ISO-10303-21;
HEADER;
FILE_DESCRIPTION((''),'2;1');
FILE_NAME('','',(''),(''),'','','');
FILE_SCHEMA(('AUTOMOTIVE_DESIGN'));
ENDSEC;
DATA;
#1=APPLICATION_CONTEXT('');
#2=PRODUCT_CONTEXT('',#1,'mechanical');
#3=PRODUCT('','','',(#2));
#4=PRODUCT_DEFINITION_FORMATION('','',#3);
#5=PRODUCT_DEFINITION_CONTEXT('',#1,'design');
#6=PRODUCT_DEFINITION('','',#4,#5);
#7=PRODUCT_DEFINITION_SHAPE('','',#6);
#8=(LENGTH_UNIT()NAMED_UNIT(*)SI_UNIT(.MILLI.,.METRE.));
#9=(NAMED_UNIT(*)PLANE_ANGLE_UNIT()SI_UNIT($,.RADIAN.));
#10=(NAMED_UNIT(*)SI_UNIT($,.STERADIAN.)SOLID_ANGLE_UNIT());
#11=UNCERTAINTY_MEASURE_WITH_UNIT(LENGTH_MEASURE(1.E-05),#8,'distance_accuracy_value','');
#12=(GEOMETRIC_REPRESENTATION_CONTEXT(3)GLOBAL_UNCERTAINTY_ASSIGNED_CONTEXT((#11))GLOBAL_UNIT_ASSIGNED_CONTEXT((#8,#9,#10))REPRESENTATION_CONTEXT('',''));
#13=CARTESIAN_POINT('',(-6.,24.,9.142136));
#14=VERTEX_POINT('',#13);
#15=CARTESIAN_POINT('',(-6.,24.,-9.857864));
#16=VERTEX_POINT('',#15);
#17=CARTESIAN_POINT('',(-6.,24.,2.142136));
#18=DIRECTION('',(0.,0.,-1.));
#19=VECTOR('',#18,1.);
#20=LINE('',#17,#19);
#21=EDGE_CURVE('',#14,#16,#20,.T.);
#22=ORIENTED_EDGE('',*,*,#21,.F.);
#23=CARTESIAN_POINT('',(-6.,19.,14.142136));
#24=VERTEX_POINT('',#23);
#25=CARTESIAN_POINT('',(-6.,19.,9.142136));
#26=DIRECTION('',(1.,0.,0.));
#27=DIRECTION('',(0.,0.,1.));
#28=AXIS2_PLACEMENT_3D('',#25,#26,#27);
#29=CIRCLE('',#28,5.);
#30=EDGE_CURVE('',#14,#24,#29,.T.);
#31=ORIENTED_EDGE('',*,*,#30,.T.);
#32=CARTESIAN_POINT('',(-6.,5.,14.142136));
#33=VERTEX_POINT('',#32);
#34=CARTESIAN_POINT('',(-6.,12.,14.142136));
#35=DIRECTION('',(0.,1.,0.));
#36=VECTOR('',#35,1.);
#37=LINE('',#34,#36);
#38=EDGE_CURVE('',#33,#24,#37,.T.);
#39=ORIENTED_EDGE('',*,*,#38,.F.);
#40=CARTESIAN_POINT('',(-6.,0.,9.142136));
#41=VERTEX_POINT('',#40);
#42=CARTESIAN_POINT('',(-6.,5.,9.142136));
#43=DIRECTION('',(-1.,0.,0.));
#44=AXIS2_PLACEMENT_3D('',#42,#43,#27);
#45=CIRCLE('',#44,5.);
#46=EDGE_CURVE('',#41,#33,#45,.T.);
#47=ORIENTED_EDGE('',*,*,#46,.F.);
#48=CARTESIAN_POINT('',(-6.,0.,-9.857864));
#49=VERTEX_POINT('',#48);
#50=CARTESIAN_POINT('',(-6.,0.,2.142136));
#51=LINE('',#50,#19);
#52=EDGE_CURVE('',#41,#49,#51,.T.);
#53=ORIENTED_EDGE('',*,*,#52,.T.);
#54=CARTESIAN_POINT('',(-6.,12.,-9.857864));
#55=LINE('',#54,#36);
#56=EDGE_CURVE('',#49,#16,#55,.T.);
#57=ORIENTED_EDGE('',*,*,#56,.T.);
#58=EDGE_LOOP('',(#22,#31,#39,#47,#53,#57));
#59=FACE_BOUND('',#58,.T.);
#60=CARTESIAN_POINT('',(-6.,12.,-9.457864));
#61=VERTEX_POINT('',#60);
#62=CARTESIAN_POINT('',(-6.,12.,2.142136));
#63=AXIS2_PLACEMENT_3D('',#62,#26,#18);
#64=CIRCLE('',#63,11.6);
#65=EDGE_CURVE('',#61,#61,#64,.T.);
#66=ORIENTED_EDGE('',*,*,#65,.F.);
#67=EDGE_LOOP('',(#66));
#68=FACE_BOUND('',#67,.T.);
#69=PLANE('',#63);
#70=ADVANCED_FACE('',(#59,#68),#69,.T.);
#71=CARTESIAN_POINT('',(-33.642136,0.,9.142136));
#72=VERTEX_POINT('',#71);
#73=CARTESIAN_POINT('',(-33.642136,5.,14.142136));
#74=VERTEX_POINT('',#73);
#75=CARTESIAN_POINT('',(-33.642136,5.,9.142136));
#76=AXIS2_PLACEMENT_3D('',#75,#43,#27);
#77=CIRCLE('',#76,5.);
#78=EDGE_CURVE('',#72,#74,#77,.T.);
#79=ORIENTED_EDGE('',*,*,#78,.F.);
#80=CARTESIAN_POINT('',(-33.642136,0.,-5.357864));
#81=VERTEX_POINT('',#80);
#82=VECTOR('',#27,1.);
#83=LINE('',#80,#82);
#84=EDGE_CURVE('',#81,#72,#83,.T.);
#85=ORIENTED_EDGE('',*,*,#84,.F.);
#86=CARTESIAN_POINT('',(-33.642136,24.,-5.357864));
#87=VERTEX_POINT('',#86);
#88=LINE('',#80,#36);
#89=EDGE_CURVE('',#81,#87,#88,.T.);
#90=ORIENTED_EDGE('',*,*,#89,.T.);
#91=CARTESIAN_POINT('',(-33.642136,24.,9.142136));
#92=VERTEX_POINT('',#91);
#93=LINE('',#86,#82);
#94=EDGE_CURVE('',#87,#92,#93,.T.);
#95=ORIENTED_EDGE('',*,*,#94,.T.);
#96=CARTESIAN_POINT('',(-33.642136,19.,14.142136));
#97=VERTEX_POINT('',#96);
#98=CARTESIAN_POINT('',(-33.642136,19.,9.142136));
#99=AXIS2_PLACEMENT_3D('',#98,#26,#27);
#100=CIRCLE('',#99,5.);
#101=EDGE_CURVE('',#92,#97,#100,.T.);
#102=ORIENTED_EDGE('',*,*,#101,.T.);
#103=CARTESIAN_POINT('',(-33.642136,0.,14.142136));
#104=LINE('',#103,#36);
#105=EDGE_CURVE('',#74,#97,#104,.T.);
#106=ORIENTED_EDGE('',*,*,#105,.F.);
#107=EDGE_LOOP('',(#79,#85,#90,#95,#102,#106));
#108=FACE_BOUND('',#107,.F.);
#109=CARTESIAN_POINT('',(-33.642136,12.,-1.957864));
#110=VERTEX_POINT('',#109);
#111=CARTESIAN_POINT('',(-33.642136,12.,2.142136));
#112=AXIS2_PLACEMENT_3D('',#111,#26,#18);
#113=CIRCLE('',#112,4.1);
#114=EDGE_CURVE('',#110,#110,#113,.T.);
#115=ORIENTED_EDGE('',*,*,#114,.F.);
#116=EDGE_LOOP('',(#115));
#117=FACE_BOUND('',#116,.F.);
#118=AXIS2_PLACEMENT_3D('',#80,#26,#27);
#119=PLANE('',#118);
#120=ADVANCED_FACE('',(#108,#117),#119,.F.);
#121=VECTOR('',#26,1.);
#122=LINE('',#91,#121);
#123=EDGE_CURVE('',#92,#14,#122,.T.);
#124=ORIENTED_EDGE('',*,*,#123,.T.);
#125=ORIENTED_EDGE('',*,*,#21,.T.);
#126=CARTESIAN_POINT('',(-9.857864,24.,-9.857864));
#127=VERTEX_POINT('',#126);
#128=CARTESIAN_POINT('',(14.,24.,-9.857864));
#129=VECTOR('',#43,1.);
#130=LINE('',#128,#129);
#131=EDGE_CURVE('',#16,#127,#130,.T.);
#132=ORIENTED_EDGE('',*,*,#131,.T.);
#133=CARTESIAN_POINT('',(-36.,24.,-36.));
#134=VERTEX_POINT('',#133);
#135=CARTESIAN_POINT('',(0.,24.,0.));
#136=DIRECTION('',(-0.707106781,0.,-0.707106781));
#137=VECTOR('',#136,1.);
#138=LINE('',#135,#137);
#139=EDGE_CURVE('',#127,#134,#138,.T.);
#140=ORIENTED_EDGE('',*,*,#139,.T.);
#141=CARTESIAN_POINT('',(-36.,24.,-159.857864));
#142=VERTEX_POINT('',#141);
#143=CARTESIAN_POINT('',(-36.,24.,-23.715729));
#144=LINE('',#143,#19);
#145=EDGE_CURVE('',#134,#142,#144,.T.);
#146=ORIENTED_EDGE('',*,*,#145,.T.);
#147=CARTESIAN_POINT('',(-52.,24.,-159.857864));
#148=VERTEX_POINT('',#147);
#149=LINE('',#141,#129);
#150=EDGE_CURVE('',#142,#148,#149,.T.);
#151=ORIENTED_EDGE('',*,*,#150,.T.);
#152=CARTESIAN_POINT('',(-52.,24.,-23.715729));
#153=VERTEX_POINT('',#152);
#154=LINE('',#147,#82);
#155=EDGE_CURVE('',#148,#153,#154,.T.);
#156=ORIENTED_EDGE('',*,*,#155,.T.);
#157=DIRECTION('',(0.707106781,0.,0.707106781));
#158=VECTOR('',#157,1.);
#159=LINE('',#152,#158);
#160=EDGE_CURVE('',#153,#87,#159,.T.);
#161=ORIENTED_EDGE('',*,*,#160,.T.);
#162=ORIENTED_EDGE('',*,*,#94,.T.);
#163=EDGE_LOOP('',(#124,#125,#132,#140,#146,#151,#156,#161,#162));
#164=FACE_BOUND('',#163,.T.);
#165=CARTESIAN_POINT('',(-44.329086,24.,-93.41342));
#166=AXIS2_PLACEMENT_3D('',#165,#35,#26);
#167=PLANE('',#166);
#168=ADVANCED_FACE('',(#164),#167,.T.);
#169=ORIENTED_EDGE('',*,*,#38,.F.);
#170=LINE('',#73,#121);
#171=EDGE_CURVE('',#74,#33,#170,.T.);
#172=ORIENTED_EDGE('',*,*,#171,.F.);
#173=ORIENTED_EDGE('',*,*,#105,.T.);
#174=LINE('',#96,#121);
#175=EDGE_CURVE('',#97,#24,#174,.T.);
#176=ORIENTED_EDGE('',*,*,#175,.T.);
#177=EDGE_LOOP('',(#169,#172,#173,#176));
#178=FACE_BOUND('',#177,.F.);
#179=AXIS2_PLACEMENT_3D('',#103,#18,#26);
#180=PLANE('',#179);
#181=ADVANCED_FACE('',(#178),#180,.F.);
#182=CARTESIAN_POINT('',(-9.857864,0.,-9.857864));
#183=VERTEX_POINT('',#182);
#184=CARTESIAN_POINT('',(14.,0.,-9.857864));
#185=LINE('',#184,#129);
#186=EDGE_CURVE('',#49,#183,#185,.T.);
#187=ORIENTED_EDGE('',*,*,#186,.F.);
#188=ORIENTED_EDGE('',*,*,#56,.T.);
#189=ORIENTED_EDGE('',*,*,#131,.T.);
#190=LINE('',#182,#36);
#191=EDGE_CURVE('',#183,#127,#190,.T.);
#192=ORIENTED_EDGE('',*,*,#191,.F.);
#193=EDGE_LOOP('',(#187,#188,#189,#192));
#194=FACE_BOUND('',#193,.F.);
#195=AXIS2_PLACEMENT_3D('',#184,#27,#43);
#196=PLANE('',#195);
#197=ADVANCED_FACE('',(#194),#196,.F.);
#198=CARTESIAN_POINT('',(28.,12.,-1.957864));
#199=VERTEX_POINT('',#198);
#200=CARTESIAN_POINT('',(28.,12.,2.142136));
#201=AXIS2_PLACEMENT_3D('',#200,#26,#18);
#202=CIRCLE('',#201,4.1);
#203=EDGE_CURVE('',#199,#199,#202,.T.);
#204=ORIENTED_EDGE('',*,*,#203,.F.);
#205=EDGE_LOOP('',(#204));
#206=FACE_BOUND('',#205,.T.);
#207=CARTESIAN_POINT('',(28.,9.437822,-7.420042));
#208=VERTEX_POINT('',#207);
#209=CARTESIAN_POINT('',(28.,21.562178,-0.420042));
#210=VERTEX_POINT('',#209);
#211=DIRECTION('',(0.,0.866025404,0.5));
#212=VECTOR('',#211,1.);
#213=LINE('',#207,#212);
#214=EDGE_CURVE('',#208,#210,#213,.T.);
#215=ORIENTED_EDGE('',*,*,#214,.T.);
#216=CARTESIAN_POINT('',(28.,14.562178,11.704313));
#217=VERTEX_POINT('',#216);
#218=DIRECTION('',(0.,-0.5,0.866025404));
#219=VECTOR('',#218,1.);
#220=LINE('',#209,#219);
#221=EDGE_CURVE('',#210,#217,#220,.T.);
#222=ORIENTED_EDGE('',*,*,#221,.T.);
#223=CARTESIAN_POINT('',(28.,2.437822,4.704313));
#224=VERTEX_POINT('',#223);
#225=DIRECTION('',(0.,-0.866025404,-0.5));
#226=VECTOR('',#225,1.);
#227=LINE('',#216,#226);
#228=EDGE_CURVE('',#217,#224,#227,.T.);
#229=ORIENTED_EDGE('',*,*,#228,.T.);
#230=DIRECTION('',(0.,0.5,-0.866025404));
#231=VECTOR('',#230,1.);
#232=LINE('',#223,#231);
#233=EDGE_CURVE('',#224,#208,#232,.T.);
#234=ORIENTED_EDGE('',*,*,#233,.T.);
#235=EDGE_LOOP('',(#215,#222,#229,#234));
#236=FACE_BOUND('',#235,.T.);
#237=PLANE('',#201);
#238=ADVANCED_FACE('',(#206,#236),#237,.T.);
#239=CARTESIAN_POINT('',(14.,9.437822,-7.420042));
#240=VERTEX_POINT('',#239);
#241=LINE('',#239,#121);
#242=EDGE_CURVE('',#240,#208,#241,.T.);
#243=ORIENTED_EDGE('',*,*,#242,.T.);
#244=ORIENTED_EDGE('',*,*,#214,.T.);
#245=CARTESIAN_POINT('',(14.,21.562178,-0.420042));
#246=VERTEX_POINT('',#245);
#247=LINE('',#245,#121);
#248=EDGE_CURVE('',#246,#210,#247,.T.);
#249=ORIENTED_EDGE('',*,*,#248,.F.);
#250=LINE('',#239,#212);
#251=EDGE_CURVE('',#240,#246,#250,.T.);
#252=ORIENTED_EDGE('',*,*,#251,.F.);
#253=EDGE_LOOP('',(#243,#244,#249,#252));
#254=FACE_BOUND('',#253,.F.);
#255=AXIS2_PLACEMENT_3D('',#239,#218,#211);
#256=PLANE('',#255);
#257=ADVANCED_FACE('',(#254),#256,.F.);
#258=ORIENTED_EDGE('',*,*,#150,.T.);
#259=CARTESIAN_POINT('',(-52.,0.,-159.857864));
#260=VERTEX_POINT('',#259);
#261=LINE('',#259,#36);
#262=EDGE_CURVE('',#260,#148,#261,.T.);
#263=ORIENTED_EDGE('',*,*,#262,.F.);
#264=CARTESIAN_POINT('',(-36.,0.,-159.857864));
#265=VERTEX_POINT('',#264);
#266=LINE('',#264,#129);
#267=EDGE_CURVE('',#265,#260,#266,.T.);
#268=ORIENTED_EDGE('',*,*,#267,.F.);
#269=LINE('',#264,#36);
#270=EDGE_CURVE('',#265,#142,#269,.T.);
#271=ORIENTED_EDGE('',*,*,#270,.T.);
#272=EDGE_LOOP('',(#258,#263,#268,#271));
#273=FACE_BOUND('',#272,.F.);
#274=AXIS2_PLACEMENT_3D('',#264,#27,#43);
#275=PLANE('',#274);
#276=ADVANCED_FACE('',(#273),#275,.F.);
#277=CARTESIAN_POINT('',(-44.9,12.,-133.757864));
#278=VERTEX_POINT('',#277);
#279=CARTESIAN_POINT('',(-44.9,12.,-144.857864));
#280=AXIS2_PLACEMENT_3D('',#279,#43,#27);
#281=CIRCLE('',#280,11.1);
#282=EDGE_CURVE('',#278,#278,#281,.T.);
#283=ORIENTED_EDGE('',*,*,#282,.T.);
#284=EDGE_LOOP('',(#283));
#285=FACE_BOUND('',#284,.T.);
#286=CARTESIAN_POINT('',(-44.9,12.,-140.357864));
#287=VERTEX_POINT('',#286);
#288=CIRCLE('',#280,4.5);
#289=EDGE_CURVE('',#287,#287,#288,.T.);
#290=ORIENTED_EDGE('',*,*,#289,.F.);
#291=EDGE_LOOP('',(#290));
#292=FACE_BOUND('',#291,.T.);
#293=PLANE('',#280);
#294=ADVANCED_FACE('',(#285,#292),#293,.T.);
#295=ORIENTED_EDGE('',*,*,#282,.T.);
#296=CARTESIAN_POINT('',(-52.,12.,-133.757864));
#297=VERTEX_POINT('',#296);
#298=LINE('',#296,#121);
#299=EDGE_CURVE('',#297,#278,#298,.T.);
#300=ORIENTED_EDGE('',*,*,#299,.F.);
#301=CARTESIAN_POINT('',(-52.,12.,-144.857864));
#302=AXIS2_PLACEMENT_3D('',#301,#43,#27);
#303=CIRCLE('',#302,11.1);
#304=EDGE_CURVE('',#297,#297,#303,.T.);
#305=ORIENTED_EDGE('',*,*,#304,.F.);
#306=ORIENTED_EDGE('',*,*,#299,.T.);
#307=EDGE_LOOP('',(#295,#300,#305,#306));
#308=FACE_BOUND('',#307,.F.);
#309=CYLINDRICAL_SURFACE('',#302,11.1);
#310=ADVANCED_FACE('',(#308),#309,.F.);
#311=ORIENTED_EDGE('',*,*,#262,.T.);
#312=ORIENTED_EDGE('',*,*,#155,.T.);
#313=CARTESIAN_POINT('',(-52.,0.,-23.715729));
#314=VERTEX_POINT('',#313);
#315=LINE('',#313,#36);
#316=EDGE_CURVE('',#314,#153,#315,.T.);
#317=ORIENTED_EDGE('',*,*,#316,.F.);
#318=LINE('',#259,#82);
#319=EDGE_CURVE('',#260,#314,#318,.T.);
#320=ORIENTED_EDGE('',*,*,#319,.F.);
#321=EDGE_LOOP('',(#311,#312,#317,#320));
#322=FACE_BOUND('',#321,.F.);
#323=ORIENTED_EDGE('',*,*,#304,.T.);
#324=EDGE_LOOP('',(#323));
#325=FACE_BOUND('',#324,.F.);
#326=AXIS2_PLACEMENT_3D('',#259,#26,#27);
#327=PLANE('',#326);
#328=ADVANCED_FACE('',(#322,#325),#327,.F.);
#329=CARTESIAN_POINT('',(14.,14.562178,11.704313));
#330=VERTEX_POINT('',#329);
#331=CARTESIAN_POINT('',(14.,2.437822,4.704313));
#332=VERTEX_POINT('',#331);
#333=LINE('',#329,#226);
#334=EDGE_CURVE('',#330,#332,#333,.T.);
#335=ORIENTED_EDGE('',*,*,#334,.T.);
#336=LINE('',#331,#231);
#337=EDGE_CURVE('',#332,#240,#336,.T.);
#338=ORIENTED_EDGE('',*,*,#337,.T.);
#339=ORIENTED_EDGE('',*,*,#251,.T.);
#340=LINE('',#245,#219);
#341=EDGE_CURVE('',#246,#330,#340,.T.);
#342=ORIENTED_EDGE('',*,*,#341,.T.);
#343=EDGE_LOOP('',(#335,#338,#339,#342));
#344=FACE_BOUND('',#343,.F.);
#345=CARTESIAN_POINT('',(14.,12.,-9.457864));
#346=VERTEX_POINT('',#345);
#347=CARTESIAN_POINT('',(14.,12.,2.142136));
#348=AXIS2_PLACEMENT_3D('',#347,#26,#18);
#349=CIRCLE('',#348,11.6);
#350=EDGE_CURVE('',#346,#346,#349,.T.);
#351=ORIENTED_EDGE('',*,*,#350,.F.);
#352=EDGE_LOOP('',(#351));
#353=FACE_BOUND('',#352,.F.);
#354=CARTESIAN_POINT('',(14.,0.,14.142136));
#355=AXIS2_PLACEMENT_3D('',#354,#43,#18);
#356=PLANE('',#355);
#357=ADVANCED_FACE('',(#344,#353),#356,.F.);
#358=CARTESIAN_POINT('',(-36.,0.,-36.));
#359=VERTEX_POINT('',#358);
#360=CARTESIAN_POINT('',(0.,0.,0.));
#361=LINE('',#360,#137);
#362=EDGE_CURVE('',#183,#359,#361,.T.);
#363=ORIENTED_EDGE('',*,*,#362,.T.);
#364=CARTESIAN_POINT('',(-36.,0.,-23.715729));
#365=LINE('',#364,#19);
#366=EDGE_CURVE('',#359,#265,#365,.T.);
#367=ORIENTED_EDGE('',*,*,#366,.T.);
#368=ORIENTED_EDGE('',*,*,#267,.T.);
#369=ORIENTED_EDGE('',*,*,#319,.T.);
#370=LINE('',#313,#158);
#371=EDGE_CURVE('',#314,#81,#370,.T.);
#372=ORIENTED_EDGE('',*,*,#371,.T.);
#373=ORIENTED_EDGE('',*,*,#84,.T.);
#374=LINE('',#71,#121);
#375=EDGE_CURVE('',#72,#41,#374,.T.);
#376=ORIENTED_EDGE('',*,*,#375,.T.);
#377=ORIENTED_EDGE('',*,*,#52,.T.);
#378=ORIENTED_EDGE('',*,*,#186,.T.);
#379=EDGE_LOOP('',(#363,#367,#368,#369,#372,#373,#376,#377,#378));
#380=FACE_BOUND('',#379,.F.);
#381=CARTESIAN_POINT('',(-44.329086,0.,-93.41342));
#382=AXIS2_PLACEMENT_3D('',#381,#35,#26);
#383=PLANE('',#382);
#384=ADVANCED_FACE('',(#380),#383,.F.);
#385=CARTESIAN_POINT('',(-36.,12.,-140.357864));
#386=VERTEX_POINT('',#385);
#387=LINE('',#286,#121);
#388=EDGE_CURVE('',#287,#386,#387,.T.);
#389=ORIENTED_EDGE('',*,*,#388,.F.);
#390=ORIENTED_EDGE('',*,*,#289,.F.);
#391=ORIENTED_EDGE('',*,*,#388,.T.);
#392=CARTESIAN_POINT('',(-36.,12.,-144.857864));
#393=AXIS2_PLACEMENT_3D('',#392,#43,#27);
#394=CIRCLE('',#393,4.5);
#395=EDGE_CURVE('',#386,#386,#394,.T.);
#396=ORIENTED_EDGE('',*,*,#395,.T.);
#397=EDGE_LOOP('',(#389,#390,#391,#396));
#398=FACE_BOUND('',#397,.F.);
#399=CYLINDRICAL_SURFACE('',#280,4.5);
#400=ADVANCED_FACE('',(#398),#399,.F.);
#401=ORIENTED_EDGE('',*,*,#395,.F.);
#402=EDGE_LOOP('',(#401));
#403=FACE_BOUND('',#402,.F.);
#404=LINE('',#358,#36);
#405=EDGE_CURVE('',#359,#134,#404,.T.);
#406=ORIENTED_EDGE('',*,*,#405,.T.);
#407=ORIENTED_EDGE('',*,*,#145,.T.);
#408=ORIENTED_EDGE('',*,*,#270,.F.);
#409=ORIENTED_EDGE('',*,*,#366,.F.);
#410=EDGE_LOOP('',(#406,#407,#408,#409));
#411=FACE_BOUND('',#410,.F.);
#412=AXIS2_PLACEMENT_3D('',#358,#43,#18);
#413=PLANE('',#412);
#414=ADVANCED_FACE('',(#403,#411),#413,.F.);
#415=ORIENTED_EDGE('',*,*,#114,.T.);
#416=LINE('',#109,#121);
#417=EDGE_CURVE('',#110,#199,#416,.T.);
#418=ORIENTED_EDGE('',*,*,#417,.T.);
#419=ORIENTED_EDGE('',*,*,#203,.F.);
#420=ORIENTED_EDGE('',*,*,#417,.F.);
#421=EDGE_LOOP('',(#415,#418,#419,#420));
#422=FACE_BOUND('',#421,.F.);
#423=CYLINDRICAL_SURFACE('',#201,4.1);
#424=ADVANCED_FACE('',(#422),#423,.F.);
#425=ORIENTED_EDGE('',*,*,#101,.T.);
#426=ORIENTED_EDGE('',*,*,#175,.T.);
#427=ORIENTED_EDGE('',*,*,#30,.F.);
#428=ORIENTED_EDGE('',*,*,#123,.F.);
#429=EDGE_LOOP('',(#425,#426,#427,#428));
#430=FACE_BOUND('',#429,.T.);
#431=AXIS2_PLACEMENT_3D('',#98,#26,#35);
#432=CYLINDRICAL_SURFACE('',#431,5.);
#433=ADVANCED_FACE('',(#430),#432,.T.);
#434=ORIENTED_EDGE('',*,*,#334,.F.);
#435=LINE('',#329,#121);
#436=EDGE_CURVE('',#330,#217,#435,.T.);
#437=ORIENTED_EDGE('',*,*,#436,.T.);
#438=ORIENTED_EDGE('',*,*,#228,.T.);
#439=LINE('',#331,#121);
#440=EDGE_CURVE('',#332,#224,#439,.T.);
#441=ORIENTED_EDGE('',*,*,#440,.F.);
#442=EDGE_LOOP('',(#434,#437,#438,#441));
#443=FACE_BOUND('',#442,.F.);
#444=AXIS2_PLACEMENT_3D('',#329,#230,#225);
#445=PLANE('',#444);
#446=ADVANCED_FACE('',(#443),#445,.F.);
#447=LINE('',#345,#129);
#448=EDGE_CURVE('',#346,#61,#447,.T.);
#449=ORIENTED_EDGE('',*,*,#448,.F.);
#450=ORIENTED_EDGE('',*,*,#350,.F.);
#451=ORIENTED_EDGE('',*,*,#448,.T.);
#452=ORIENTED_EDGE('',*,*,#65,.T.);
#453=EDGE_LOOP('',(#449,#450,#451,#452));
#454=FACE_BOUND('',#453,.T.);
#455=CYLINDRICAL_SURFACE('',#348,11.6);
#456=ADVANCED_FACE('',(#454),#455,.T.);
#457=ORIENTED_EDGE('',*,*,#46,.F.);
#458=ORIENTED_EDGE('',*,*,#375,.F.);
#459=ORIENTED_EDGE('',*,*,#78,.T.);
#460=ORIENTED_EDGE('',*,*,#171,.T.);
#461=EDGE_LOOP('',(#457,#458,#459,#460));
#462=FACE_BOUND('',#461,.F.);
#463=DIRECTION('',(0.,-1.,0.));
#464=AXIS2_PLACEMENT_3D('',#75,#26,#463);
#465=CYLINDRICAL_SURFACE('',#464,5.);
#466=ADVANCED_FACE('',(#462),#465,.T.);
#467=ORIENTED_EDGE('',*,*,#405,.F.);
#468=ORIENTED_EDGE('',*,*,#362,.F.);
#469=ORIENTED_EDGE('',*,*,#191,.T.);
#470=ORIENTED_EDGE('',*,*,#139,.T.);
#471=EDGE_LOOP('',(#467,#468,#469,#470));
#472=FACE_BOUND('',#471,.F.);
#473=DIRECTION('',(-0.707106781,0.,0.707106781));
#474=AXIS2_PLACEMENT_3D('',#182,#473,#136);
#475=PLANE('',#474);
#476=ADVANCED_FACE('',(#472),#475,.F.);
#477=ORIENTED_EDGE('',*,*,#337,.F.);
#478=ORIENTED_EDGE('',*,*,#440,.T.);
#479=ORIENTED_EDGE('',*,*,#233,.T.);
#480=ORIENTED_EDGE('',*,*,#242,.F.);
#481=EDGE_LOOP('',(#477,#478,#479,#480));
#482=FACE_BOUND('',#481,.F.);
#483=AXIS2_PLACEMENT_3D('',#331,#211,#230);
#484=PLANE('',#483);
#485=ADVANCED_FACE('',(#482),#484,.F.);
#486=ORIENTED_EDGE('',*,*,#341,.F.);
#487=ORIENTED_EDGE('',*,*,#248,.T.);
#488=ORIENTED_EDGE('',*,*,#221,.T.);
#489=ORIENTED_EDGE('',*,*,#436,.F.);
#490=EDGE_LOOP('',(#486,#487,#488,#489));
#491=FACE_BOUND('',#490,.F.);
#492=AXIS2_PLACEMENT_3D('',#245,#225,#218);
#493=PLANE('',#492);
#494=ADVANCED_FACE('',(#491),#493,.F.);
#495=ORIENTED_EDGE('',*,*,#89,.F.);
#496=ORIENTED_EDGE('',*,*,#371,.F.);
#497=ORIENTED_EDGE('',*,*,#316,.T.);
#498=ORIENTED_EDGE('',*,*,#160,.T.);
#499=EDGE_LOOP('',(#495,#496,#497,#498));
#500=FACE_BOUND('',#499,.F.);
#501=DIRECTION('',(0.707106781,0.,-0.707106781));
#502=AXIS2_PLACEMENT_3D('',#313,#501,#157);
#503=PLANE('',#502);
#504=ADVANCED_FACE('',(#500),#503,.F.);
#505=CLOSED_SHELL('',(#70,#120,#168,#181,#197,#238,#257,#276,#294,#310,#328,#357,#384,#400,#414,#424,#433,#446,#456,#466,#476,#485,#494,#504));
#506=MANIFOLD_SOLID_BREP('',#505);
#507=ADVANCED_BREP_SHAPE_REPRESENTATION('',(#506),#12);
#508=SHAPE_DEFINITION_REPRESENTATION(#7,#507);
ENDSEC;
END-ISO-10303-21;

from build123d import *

# Parameters (mm, degrees)
EXTRUDE_1_DEPTH          = 24
SKETCH_2_W               = 24
SKETCH_2_H               = 24
SKETCH_2_R               = 11.6
CUT_EXTRUDE_1_DEPTH      = 20
SKETCH_6_R               = 4.1
CUT_EXTRUDE_3_DEPTH      = 1
CUT_EXTRUDE_3_DEPTH_BACK = 67
FILLET_3_R               = 5
EXTRUDE_2_DEPTH          = 14
SKETCH_10_R              = 4.1
CUT_EXTRUDE_4_DEPTH      = 81
SKETCH_12_R              = 11.1
CUT_EXTRUDE_5_DEPTH      = 7.1
SKETCH_13_R              = 4.5
CUT_EXTRUDE_6_DEPTH      = 73.9


with BuildPart() as part:
    # Эскиз1 → Бобышка-Вытянуть1 (new body)
    with BuildSketch(Plane(origin=(0, 0, 0), x_dir=(1, 0, 0), z_dir=(0, 1, 0))):
        Polygon((-37.857864376, 37.857864376), (-36, 36), (-36, 159.857864376), (-52, 159.857864376), (-52, 23.715728753), align=None)
        Polygon((-36, 23.715728753), (-36, 36), (-37.857864376, 37.857864376), (-52, 23.715728753), align=None)
        Polygon((-33.642135624, 5.357864376), (-14.142135624, -14.142135624), (-14.142135624, 9.857864376), (-9.857864376, 9.857864376), (-36, 36), (-36, 23.715728753), (-52, 23.715728753), align=None)
        Polygon((-14.142135624, -14.142135624), (0, 0), (-9.857864376, 9.857864376), (-14.142135624, 9.857864376), align=None)
        Polygon((-9.857864376, 9.857864376), (0, 0), (-14.142135624, -14.142135624), (14, -14.142135624), (14, 9.857864376), align=None)
        Polygon((-33.642135624, -14.142135624), (-14.142135624, -14.142135624), (-33.642135624, 5.357864376), align=None)
    extrude(amount=EXTRUDE_1_DEPTH)

    # Эскиз2 → Вырез-Вытянуть1 (cut)
    with BuildSketch(Plane(origin=(14, 0, 0), x_dir=(0, 0, -1), z_dir=(1, 0, 0))):
        with Locations((-2.142135624, 12)):
            Rectangle(SKETCH_2_W, SKETCH_2_H)
        with Locations((-2.142135624, 12)):
            Circle(SKETCH_2_R, mode=Mode.SUBTRACT)
    extrude(amount=-CUT_EXTRUDE_1_DEPTH, mode=Mode.SUBTRACT)

    # Эскиз6 → Вырез-Вытянуть3 (cut, two sides)
    with BuildSketch(Plane(origin=(14, 0, 0), x_dir=(0, 0, -1), z_dir=(1, 0, 0))) as cut_extrude_3_sk:
        with Locations((-2.142135624, 12)):
            Circle(SKETCH_6_R)
    extrude(amount=CUT_EXTRUDE_3_DEPTH, mode=Mode.SUBTRACT)
    extrude(cut_extrude_3_sk.sketch, amount=-CUT_EXTRUDE_3_DEPTH_BACK, mode=Mode.SUBTRACT)

    # Скругление3
    fillet_3_edges = [part.edges().sort_by_distance(p)[0] for p in [
        (-19.821067812, 0, 14.142135624),
        (-19.821067812, 24, 14.142135624),
    ]]
    fillet(fillet_3_edges, radius=FILLET_3_R)

    # Эскиз9 → Бобышка-Вытянуть2 (add)
    with BuildSketch(Plane(origin=(14, 0, 0), x_dir=(0, 0, -1), z_dir=(1, 0, 0))):
        Polygon((0.420042203, 21.562177826), (-11.70431345, 14.562177826), (-4.70431345, 2.437822174), (7.420042203, 9.437822174), align=None)
    extrude(amount=EXTRUDE_2_DEPTH)

    # Эскиз10 → Вырез-Вытянуть4 (cut, through all)
    with BuildSketch(Plane(origin=(28, 0, 0), x_dir=(0, 0, -1), z_dir=(1, 0, 0))):
        with Locations((-2.142135624, 12)):
            Circle(SKETCH_10_R)
    extrude(amount=-CUT_EXTRUDE_4_DEPTH, mode=Mode.SUBTRACT)

    # Эскиз12 → Вырез-Вытянуть5 (cut)
    with BuildSketch(Plane.ZY.offset(52)):
        with Locations((-144.857864376, 12)):
            Circle(SKETCH_12_R)
    extrude(amount=-CUT_EXTRUDE_5_DEPTH, mode=Mode.SUBTRACT)

    # Эскиз13 → Вырез-Вытянуть6 (cut, through all)
    with BuildSketch(Plane.ZY.offset(44.9)):
        with Locations((-144.857864376, 12)):
            Circle(SKETCH_13_R)
    extrude(amount=-CUT_EXTRUDE_6_DEPTH, mode=Mode.SUBTRACT)


solid = part.part
